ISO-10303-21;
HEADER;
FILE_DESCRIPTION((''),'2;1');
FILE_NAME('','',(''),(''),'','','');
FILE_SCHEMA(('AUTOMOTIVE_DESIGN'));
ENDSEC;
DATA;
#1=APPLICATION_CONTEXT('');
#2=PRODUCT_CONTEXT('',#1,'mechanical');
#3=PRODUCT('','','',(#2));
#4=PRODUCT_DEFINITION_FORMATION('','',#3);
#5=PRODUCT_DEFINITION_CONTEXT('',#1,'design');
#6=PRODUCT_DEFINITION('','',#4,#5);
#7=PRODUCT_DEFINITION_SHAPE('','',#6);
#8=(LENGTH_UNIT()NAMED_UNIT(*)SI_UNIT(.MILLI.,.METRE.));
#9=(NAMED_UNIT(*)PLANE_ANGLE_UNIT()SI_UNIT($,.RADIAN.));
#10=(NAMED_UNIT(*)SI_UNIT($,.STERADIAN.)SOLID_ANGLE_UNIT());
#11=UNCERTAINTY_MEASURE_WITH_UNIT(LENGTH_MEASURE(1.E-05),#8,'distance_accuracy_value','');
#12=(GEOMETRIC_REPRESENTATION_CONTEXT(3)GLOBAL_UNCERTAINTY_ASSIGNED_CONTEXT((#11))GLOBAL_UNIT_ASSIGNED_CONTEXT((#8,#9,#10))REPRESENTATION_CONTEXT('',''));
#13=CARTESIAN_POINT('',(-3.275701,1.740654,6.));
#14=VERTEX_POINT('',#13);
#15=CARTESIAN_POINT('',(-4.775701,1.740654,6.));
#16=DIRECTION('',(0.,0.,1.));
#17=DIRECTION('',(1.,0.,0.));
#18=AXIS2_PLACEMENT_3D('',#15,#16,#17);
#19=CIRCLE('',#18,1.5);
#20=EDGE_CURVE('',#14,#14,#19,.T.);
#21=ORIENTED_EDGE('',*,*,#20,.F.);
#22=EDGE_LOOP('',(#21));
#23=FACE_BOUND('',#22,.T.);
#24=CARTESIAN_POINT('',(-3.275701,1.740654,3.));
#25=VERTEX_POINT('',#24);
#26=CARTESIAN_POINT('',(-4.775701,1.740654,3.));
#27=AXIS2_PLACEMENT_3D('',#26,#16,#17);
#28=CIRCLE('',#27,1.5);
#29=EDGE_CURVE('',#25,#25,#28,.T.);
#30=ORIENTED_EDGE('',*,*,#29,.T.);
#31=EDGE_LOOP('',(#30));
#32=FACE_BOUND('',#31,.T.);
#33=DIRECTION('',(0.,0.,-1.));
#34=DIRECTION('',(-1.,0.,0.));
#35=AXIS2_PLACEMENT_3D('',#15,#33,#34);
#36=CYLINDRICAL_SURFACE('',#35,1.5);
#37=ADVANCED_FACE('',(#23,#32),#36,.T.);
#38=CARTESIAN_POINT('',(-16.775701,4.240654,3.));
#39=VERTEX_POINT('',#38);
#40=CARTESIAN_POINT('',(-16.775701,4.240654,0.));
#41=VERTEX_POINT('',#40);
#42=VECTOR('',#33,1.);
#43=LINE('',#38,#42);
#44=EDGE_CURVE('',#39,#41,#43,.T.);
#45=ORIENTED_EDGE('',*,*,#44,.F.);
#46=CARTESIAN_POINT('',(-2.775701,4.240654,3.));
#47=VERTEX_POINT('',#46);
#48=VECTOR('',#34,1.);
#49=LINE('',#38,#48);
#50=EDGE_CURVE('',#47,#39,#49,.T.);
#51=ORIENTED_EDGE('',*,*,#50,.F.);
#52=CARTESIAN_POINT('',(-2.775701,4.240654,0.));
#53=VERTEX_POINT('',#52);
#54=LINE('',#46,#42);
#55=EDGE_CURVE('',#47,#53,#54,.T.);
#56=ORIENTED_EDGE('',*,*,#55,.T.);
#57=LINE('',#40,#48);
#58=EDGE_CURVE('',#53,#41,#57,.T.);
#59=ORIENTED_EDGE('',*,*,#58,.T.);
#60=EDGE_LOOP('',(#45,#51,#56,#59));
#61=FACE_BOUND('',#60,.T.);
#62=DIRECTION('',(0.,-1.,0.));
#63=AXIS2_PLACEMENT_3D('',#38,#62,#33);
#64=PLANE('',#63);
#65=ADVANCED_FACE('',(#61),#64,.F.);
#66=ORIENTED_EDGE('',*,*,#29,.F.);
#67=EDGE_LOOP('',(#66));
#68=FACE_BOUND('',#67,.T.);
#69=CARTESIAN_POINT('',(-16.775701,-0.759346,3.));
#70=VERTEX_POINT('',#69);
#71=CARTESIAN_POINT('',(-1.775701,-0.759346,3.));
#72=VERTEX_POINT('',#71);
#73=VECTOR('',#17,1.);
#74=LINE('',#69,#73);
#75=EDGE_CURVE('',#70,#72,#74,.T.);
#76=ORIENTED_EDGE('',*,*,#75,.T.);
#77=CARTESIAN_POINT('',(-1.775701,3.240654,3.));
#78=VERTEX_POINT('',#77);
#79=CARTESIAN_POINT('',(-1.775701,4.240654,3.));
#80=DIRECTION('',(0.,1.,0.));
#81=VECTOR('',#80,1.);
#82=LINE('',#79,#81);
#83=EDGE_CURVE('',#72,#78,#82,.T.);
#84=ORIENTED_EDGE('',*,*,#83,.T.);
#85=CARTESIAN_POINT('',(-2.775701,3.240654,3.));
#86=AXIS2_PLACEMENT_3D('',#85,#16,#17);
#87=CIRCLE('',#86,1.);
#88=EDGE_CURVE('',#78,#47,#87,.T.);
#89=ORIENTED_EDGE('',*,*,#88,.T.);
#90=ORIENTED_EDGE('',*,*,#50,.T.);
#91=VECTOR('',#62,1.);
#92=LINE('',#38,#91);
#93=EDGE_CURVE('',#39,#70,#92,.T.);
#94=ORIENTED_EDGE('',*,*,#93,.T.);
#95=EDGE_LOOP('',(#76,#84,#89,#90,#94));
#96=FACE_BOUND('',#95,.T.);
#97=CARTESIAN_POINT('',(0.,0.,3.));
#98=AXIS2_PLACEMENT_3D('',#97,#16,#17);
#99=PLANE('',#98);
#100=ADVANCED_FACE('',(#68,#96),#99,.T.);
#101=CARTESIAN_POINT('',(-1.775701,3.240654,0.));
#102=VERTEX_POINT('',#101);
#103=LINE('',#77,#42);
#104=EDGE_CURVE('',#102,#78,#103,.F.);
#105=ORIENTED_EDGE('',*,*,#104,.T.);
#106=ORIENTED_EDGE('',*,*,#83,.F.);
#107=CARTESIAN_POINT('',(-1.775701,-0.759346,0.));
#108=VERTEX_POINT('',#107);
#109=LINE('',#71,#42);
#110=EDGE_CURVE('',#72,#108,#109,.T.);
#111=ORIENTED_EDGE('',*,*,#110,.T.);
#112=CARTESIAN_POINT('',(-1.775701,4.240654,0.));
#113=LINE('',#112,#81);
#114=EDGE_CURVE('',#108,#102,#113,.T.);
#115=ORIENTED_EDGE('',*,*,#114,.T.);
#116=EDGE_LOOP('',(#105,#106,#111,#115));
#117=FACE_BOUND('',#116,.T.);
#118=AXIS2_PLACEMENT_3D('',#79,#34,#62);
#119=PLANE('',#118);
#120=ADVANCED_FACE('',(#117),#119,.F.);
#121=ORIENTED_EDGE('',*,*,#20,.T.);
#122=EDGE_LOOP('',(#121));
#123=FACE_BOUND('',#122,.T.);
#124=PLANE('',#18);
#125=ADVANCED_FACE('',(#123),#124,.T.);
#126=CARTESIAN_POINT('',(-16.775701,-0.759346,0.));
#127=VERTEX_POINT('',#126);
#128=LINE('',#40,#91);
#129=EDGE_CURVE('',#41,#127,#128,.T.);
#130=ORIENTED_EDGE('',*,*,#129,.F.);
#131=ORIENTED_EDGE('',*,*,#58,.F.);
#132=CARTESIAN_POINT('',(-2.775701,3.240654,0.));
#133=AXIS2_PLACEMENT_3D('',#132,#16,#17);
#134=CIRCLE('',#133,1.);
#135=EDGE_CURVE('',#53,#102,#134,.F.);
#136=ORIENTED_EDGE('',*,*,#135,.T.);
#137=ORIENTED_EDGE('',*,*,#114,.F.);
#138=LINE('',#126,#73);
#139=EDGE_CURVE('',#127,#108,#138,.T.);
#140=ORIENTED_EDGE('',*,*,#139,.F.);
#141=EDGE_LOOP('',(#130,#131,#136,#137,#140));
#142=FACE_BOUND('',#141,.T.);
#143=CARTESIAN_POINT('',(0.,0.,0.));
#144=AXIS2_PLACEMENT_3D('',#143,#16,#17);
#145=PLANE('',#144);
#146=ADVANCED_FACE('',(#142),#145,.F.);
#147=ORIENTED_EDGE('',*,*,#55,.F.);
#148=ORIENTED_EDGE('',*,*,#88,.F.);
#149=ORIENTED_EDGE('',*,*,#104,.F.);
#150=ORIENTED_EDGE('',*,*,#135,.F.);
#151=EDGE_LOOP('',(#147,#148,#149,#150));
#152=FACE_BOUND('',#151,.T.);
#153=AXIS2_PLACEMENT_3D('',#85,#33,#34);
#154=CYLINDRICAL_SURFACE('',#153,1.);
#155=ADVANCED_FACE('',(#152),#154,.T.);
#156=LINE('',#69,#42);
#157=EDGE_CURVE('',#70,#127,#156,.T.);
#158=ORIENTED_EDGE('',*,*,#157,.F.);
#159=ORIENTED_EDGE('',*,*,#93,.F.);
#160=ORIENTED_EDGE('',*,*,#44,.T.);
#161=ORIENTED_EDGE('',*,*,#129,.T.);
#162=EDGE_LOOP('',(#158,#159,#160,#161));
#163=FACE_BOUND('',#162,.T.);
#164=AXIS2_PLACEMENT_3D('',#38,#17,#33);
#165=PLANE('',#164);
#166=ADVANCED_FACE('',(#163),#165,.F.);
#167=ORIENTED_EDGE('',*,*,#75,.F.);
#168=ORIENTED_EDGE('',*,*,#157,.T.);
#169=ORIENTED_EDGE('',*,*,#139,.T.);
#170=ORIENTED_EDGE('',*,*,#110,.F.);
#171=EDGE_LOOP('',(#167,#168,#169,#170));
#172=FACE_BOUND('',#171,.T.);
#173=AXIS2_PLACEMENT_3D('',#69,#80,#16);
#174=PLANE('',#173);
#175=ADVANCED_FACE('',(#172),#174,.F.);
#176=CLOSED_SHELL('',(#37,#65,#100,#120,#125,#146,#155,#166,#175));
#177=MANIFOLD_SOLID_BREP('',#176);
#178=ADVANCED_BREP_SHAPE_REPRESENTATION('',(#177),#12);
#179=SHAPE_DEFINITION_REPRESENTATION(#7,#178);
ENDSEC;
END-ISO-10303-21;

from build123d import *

# Parameters (mm, degrees)
SKETCH_1_W      = 15
SKETCH_1_H      = 5
EXTRUDE_1_DEPTH = 3
SKETCH_2_R      = 1.5
EXTRUDE_2_DEPTH = 3
FILLET_2_R      = 1


with BuildPart() as part:
    # 草图1 → 凸台-拉伸1 (new body)
    with BuildSketch(Plane.XY):
        with Locations((-9.275700935, 1.740654206)):
            Rectangle(SKETCH_1_W, SKETCH_1_H)
    extrude(amount=EXTRUDE_1_DEPTH)

    # 草图2 → 凸台-拉伸2 (add)
    with BuildSketch(Plane.XY.offset(3)):
        with Locations((-4.775700935, 1.740654206)):
            Circle(SKETCH_2_R)
    extrude(amount=EXTRUDE_2_DEPTH)

    # 圆角2
    fillet_2_edges = [part.edges().sort_by_distance(p)[0] for p in [
        (-1.775700935, 4.240654206, 1.5),
    ]]
    fillet(fillet_2_edges, radius=FILLET_2_R)


solid = part.part
